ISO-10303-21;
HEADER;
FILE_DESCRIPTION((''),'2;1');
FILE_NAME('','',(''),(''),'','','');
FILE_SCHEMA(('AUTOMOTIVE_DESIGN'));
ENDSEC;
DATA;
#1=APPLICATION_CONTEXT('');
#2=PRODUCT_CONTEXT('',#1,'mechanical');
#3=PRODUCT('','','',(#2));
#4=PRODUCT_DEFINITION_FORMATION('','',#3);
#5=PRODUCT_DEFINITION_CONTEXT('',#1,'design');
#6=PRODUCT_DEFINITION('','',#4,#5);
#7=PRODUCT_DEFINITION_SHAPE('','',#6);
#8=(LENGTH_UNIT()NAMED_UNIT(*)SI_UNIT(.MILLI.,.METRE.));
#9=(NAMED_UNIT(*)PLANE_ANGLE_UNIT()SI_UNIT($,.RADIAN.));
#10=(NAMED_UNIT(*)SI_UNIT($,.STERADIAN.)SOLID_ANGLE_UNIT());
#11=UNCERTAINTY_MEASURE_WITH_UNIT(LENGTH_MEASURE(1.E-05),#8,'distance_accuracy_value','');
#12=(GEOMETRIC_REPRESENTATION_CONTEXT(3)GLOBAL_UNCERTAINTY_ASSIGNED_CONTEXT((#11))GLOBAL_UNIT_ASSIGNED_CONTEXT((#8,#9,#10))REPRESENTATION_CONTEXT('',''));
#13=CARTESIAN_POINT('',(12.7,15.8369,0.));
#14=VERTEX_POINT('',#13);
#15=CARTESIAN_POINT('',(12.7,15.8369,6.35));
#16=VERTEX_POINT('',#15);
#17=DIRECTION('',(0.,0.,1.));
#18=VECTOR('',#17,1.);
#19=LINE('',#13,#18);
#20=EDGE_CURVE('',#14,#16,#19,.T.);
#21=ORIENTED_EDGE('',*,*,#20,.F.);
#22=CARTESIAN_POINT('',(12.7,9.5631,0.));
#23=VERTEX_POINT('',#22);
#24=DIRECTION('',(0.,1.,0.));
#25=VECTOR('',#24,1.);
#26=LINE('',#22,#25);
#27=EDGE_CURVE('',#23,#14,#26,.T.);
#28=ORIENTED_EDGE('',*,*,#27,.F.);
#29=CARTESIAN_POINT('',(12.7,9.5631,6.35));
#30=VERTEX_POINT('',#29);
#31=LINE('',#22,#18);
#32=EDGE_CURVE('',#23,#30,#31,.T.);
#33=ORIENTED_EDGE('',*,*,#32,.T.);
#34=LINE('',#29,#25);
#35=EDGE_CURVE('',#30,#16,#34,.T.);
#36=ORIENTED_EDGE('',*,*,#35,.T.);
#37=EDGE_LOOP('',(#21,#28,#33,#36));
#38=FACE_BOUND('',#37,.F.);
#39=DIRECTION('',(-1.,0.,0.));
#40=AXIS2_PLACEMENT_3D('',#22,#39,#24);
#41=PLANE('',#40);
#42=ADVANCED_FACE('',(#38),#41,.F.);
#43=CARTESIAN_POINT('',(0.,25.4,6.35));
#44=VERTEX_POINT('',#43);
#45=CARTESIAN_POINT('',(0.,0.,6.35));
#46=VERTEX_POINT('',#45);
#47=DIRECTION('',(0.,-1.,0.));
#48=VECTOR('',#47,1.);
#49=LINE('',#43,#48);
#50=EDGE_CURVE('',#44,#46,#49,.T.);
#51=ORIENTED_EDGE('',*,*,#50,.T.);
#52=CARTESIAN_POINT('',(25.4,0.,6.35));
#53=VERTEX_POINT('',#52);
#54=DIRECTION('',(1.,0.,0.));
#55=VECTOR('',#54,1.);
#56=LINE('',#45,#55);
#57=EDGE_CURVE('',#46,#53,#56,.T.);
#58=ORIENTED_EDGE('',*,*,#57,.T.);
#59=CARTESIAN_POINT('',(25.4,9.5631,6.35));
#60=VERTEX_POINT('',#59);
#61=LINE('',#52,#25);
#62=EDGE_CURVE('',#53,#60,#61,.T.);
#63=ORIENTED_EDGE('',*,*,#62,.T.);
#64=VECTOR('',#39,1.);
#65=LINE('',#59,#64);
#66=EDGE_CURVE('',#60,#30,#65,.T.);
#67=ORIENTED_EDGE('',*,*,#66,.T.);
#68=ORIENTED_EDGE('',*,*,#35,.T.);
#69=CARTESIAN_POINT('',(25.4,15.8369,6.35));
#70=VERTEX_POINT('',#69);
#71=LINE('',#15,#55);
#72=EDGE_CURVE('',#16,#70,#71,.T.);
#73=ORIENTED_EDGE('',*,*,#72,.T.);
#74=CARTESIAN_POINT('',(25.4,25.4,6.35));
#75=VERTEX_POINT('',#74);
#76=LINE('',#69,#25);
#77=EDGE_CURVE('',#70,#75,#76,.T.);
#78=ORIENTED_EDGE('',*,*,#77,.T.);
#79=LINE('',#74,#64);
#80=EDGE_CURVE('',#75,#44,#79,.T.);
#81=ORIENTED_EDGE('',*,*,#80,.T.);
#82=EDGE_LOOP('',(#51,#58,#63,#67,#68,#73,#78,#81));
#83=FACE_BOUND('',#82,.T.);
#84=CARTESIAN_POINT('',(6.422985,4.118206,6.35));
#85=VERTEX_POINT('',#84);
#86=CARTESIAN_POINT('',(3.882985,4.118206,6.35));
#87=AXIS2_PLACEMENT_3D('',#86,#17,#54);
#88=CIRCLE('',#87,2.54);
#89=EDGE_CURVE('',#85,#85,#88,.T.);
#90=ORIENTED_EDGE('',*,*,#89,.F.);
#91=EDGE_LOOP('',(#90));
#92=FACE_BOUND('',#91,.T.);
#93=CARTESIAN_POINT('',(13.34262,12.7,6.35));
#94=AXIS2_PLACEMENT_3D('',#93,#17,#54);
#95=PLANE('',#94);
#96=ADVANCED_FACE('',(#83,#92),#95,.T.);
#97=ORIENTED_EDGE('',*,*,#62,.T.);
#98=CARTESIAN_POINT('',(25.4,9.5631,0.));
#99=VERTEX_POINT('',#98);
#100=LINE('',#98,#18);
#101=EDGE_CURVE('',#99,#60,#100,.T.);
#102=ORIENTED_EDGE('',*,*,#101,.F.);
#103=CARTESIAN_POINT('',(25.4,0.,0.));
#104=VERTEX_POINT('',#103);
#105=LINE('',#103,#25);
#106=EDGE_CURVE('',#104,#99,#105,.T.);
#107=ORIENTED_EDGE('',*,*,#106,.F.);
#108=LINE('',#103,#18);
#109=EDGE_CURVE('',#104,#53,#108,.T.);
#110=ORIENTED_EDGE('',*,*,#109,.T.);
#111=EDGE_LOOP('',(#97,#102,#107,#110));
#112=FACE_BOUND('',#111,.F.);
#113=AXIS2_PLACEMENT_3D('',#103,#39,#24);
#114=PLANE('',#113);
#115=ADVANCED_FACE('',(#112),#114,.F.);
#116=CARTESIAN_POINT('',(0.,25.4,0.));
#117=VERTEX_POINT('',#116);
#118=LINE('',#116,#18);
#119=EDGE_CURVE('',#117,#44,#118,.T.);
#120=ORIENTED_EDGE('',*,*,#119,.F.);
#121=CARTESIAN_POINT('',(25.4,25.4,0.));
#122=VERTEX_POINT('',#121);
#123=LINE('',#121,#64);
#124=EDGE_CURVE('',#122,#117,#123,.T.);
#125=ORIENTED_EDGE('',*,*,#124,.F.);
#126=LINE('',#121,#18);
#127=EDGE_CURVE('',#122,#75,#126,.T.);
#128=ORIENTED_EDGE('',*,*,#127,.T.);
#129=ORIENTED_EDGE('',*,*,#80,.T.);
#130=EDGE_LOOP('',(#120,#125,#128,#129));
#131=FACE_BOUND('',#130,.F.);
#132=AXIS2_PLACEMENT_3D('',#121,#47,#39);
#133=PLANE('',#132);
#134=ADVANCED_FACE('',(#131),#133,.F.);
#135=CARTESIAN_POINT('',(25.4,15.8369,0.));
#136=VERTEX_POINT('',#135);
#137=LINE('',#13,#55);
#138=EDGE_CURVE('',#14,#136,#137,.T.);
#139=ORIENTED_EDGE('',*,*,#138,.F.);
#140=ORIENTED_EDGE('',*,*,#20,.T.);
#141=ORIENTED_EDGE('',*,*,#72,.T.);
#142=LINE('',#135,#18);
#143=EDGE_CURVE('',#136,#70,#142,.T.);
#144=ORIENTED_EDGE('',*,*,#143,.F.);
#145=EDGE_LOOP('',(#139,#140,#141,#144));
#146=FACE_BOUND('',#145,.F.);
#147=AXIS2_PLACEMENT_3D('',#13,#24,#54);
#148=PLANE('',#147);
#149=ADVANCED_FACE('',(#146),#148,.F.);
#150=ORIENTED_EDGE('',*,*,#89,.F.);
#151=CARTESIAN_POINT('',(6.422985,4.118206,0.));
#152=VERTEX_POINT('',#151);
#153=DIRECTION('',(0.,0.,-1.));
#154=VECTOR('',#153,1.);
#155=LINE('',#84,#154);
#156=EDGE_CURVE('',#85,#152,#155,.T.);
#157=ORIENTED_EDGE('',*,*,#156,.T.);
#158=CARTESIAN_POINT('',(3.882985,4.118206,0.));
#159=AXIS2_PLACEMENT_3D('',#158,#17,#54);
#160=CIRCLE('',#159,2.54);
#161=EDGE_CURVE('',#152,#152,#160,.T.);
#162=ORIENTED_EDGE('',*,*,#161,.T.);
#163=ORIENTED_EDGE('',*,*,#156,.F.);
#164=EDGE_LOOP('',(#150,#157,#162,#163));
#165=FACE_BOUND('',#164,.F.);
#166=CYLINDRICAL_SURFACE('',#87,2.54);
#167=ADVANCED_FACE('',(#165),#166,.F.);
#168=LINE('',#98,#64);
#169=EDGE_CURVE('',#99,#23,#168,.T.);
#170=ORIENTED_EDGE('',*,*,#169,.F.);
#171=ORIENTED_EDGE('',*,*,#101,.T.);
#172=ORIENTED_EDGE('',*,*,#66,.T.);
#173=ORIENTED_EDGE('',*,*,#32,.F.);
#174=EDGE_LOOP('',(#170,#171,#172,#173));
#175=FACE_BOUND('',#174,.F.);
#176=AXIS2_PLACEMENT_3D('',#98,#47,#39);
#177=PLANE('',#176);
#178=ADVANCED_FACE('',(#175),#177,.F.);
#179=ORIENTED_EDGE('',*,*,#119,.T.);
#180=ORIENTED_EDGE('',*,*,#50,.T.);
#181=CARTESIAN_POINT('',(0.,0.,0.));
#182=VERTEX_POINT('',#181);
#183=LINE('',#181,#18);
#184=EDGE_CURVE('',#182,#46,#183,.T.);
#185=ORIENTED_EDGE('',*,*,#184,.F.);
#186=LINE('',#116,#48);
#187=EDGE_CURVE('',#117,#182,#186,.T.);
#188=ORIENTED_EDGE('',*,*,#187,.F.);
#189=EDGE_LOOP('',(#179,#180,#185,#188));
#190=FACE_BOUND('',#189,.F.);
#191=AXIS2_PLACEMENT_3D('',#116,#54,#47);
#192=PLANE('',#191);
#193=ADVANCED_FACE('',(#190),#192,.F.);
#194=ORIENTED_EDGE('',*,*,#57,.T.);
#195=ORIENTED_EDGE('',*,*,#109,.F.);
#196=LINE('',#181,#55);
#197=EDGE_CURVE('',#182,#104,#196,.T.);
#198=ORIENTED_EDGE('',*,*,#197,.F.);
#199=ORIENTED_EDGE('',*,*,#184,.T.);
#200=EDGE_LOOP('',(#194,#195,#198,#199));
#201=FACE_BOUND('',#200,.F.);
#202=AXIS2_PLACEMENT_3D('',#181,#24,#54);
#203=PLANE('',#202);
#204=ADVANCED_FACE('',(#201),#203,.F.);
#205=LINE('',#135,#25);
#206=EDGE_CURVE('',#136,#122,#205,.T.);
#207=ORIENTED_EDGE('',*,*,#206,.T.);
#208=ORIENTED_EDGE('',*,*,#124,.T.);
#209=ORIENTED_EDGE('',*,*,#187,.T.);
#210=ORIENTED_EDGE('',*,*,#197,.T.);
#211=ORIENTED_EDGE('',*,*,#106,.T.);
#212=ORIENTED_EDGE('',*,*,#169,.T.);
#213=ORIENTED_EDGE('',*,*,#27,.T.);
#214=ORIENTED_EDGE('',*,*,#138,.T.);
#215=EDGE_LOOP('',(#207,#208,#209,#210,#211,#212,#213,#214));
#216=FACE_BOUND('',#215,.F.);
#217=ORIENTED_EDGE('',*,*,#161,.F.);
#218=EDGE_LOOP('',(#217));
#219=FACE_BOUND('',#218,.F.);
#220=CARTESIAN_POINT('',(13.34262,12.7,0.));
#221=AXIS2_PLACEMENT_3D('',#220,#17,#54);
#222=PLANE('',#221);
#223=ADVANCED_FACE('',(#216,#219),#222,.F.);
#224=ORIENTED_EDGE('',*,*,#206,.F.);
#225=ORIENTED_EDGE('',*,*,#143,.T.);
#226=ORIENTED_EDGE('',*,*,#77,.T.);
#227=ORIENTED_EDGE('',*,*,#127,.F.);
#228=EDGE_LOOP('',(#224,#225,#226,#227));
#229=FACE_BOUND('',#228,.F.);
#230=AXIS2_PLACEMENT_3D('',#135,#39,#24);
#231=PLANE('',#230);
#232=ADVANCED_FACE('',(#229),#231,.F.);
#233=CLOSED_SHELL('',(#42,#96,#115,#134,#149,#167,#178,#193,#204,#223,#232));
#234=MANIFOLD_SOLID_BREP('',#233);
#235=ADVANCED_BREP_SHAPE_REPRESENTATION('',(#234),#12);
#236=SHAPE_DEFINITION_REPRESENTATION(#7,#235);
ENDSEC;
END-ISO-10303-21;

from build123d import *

# Parameters (mm, degrees)
F1_DEPTH = 6.35
F2_R     = 2.54
F3_DEPTH = 6.351


with BuildPart() as f1:
    # F0 (on Top) → F1 (new body)
    with BuildSketch(Plane.XY):
        Polygon((0, 25.4), (0, 0), (25.4, 0), (25.4, 9.5631), (12.7, 9.5631), (12.7, 15.8369), (25.4, 15.8369), (25.4, 25.4), align=None)
    extrude(amount=F1_DEPTH)

    # F2 (on face) → F3 (cut, through all)
    with BuildSketch(Plane.XY.offset(6.35)):
        with Locations((3.882985, 4.118206)):
            Circle(F2_R)
    extrude(amount=-F3_DEPTH, mode=Mode.SUBTRACT)


solid = f1.part
